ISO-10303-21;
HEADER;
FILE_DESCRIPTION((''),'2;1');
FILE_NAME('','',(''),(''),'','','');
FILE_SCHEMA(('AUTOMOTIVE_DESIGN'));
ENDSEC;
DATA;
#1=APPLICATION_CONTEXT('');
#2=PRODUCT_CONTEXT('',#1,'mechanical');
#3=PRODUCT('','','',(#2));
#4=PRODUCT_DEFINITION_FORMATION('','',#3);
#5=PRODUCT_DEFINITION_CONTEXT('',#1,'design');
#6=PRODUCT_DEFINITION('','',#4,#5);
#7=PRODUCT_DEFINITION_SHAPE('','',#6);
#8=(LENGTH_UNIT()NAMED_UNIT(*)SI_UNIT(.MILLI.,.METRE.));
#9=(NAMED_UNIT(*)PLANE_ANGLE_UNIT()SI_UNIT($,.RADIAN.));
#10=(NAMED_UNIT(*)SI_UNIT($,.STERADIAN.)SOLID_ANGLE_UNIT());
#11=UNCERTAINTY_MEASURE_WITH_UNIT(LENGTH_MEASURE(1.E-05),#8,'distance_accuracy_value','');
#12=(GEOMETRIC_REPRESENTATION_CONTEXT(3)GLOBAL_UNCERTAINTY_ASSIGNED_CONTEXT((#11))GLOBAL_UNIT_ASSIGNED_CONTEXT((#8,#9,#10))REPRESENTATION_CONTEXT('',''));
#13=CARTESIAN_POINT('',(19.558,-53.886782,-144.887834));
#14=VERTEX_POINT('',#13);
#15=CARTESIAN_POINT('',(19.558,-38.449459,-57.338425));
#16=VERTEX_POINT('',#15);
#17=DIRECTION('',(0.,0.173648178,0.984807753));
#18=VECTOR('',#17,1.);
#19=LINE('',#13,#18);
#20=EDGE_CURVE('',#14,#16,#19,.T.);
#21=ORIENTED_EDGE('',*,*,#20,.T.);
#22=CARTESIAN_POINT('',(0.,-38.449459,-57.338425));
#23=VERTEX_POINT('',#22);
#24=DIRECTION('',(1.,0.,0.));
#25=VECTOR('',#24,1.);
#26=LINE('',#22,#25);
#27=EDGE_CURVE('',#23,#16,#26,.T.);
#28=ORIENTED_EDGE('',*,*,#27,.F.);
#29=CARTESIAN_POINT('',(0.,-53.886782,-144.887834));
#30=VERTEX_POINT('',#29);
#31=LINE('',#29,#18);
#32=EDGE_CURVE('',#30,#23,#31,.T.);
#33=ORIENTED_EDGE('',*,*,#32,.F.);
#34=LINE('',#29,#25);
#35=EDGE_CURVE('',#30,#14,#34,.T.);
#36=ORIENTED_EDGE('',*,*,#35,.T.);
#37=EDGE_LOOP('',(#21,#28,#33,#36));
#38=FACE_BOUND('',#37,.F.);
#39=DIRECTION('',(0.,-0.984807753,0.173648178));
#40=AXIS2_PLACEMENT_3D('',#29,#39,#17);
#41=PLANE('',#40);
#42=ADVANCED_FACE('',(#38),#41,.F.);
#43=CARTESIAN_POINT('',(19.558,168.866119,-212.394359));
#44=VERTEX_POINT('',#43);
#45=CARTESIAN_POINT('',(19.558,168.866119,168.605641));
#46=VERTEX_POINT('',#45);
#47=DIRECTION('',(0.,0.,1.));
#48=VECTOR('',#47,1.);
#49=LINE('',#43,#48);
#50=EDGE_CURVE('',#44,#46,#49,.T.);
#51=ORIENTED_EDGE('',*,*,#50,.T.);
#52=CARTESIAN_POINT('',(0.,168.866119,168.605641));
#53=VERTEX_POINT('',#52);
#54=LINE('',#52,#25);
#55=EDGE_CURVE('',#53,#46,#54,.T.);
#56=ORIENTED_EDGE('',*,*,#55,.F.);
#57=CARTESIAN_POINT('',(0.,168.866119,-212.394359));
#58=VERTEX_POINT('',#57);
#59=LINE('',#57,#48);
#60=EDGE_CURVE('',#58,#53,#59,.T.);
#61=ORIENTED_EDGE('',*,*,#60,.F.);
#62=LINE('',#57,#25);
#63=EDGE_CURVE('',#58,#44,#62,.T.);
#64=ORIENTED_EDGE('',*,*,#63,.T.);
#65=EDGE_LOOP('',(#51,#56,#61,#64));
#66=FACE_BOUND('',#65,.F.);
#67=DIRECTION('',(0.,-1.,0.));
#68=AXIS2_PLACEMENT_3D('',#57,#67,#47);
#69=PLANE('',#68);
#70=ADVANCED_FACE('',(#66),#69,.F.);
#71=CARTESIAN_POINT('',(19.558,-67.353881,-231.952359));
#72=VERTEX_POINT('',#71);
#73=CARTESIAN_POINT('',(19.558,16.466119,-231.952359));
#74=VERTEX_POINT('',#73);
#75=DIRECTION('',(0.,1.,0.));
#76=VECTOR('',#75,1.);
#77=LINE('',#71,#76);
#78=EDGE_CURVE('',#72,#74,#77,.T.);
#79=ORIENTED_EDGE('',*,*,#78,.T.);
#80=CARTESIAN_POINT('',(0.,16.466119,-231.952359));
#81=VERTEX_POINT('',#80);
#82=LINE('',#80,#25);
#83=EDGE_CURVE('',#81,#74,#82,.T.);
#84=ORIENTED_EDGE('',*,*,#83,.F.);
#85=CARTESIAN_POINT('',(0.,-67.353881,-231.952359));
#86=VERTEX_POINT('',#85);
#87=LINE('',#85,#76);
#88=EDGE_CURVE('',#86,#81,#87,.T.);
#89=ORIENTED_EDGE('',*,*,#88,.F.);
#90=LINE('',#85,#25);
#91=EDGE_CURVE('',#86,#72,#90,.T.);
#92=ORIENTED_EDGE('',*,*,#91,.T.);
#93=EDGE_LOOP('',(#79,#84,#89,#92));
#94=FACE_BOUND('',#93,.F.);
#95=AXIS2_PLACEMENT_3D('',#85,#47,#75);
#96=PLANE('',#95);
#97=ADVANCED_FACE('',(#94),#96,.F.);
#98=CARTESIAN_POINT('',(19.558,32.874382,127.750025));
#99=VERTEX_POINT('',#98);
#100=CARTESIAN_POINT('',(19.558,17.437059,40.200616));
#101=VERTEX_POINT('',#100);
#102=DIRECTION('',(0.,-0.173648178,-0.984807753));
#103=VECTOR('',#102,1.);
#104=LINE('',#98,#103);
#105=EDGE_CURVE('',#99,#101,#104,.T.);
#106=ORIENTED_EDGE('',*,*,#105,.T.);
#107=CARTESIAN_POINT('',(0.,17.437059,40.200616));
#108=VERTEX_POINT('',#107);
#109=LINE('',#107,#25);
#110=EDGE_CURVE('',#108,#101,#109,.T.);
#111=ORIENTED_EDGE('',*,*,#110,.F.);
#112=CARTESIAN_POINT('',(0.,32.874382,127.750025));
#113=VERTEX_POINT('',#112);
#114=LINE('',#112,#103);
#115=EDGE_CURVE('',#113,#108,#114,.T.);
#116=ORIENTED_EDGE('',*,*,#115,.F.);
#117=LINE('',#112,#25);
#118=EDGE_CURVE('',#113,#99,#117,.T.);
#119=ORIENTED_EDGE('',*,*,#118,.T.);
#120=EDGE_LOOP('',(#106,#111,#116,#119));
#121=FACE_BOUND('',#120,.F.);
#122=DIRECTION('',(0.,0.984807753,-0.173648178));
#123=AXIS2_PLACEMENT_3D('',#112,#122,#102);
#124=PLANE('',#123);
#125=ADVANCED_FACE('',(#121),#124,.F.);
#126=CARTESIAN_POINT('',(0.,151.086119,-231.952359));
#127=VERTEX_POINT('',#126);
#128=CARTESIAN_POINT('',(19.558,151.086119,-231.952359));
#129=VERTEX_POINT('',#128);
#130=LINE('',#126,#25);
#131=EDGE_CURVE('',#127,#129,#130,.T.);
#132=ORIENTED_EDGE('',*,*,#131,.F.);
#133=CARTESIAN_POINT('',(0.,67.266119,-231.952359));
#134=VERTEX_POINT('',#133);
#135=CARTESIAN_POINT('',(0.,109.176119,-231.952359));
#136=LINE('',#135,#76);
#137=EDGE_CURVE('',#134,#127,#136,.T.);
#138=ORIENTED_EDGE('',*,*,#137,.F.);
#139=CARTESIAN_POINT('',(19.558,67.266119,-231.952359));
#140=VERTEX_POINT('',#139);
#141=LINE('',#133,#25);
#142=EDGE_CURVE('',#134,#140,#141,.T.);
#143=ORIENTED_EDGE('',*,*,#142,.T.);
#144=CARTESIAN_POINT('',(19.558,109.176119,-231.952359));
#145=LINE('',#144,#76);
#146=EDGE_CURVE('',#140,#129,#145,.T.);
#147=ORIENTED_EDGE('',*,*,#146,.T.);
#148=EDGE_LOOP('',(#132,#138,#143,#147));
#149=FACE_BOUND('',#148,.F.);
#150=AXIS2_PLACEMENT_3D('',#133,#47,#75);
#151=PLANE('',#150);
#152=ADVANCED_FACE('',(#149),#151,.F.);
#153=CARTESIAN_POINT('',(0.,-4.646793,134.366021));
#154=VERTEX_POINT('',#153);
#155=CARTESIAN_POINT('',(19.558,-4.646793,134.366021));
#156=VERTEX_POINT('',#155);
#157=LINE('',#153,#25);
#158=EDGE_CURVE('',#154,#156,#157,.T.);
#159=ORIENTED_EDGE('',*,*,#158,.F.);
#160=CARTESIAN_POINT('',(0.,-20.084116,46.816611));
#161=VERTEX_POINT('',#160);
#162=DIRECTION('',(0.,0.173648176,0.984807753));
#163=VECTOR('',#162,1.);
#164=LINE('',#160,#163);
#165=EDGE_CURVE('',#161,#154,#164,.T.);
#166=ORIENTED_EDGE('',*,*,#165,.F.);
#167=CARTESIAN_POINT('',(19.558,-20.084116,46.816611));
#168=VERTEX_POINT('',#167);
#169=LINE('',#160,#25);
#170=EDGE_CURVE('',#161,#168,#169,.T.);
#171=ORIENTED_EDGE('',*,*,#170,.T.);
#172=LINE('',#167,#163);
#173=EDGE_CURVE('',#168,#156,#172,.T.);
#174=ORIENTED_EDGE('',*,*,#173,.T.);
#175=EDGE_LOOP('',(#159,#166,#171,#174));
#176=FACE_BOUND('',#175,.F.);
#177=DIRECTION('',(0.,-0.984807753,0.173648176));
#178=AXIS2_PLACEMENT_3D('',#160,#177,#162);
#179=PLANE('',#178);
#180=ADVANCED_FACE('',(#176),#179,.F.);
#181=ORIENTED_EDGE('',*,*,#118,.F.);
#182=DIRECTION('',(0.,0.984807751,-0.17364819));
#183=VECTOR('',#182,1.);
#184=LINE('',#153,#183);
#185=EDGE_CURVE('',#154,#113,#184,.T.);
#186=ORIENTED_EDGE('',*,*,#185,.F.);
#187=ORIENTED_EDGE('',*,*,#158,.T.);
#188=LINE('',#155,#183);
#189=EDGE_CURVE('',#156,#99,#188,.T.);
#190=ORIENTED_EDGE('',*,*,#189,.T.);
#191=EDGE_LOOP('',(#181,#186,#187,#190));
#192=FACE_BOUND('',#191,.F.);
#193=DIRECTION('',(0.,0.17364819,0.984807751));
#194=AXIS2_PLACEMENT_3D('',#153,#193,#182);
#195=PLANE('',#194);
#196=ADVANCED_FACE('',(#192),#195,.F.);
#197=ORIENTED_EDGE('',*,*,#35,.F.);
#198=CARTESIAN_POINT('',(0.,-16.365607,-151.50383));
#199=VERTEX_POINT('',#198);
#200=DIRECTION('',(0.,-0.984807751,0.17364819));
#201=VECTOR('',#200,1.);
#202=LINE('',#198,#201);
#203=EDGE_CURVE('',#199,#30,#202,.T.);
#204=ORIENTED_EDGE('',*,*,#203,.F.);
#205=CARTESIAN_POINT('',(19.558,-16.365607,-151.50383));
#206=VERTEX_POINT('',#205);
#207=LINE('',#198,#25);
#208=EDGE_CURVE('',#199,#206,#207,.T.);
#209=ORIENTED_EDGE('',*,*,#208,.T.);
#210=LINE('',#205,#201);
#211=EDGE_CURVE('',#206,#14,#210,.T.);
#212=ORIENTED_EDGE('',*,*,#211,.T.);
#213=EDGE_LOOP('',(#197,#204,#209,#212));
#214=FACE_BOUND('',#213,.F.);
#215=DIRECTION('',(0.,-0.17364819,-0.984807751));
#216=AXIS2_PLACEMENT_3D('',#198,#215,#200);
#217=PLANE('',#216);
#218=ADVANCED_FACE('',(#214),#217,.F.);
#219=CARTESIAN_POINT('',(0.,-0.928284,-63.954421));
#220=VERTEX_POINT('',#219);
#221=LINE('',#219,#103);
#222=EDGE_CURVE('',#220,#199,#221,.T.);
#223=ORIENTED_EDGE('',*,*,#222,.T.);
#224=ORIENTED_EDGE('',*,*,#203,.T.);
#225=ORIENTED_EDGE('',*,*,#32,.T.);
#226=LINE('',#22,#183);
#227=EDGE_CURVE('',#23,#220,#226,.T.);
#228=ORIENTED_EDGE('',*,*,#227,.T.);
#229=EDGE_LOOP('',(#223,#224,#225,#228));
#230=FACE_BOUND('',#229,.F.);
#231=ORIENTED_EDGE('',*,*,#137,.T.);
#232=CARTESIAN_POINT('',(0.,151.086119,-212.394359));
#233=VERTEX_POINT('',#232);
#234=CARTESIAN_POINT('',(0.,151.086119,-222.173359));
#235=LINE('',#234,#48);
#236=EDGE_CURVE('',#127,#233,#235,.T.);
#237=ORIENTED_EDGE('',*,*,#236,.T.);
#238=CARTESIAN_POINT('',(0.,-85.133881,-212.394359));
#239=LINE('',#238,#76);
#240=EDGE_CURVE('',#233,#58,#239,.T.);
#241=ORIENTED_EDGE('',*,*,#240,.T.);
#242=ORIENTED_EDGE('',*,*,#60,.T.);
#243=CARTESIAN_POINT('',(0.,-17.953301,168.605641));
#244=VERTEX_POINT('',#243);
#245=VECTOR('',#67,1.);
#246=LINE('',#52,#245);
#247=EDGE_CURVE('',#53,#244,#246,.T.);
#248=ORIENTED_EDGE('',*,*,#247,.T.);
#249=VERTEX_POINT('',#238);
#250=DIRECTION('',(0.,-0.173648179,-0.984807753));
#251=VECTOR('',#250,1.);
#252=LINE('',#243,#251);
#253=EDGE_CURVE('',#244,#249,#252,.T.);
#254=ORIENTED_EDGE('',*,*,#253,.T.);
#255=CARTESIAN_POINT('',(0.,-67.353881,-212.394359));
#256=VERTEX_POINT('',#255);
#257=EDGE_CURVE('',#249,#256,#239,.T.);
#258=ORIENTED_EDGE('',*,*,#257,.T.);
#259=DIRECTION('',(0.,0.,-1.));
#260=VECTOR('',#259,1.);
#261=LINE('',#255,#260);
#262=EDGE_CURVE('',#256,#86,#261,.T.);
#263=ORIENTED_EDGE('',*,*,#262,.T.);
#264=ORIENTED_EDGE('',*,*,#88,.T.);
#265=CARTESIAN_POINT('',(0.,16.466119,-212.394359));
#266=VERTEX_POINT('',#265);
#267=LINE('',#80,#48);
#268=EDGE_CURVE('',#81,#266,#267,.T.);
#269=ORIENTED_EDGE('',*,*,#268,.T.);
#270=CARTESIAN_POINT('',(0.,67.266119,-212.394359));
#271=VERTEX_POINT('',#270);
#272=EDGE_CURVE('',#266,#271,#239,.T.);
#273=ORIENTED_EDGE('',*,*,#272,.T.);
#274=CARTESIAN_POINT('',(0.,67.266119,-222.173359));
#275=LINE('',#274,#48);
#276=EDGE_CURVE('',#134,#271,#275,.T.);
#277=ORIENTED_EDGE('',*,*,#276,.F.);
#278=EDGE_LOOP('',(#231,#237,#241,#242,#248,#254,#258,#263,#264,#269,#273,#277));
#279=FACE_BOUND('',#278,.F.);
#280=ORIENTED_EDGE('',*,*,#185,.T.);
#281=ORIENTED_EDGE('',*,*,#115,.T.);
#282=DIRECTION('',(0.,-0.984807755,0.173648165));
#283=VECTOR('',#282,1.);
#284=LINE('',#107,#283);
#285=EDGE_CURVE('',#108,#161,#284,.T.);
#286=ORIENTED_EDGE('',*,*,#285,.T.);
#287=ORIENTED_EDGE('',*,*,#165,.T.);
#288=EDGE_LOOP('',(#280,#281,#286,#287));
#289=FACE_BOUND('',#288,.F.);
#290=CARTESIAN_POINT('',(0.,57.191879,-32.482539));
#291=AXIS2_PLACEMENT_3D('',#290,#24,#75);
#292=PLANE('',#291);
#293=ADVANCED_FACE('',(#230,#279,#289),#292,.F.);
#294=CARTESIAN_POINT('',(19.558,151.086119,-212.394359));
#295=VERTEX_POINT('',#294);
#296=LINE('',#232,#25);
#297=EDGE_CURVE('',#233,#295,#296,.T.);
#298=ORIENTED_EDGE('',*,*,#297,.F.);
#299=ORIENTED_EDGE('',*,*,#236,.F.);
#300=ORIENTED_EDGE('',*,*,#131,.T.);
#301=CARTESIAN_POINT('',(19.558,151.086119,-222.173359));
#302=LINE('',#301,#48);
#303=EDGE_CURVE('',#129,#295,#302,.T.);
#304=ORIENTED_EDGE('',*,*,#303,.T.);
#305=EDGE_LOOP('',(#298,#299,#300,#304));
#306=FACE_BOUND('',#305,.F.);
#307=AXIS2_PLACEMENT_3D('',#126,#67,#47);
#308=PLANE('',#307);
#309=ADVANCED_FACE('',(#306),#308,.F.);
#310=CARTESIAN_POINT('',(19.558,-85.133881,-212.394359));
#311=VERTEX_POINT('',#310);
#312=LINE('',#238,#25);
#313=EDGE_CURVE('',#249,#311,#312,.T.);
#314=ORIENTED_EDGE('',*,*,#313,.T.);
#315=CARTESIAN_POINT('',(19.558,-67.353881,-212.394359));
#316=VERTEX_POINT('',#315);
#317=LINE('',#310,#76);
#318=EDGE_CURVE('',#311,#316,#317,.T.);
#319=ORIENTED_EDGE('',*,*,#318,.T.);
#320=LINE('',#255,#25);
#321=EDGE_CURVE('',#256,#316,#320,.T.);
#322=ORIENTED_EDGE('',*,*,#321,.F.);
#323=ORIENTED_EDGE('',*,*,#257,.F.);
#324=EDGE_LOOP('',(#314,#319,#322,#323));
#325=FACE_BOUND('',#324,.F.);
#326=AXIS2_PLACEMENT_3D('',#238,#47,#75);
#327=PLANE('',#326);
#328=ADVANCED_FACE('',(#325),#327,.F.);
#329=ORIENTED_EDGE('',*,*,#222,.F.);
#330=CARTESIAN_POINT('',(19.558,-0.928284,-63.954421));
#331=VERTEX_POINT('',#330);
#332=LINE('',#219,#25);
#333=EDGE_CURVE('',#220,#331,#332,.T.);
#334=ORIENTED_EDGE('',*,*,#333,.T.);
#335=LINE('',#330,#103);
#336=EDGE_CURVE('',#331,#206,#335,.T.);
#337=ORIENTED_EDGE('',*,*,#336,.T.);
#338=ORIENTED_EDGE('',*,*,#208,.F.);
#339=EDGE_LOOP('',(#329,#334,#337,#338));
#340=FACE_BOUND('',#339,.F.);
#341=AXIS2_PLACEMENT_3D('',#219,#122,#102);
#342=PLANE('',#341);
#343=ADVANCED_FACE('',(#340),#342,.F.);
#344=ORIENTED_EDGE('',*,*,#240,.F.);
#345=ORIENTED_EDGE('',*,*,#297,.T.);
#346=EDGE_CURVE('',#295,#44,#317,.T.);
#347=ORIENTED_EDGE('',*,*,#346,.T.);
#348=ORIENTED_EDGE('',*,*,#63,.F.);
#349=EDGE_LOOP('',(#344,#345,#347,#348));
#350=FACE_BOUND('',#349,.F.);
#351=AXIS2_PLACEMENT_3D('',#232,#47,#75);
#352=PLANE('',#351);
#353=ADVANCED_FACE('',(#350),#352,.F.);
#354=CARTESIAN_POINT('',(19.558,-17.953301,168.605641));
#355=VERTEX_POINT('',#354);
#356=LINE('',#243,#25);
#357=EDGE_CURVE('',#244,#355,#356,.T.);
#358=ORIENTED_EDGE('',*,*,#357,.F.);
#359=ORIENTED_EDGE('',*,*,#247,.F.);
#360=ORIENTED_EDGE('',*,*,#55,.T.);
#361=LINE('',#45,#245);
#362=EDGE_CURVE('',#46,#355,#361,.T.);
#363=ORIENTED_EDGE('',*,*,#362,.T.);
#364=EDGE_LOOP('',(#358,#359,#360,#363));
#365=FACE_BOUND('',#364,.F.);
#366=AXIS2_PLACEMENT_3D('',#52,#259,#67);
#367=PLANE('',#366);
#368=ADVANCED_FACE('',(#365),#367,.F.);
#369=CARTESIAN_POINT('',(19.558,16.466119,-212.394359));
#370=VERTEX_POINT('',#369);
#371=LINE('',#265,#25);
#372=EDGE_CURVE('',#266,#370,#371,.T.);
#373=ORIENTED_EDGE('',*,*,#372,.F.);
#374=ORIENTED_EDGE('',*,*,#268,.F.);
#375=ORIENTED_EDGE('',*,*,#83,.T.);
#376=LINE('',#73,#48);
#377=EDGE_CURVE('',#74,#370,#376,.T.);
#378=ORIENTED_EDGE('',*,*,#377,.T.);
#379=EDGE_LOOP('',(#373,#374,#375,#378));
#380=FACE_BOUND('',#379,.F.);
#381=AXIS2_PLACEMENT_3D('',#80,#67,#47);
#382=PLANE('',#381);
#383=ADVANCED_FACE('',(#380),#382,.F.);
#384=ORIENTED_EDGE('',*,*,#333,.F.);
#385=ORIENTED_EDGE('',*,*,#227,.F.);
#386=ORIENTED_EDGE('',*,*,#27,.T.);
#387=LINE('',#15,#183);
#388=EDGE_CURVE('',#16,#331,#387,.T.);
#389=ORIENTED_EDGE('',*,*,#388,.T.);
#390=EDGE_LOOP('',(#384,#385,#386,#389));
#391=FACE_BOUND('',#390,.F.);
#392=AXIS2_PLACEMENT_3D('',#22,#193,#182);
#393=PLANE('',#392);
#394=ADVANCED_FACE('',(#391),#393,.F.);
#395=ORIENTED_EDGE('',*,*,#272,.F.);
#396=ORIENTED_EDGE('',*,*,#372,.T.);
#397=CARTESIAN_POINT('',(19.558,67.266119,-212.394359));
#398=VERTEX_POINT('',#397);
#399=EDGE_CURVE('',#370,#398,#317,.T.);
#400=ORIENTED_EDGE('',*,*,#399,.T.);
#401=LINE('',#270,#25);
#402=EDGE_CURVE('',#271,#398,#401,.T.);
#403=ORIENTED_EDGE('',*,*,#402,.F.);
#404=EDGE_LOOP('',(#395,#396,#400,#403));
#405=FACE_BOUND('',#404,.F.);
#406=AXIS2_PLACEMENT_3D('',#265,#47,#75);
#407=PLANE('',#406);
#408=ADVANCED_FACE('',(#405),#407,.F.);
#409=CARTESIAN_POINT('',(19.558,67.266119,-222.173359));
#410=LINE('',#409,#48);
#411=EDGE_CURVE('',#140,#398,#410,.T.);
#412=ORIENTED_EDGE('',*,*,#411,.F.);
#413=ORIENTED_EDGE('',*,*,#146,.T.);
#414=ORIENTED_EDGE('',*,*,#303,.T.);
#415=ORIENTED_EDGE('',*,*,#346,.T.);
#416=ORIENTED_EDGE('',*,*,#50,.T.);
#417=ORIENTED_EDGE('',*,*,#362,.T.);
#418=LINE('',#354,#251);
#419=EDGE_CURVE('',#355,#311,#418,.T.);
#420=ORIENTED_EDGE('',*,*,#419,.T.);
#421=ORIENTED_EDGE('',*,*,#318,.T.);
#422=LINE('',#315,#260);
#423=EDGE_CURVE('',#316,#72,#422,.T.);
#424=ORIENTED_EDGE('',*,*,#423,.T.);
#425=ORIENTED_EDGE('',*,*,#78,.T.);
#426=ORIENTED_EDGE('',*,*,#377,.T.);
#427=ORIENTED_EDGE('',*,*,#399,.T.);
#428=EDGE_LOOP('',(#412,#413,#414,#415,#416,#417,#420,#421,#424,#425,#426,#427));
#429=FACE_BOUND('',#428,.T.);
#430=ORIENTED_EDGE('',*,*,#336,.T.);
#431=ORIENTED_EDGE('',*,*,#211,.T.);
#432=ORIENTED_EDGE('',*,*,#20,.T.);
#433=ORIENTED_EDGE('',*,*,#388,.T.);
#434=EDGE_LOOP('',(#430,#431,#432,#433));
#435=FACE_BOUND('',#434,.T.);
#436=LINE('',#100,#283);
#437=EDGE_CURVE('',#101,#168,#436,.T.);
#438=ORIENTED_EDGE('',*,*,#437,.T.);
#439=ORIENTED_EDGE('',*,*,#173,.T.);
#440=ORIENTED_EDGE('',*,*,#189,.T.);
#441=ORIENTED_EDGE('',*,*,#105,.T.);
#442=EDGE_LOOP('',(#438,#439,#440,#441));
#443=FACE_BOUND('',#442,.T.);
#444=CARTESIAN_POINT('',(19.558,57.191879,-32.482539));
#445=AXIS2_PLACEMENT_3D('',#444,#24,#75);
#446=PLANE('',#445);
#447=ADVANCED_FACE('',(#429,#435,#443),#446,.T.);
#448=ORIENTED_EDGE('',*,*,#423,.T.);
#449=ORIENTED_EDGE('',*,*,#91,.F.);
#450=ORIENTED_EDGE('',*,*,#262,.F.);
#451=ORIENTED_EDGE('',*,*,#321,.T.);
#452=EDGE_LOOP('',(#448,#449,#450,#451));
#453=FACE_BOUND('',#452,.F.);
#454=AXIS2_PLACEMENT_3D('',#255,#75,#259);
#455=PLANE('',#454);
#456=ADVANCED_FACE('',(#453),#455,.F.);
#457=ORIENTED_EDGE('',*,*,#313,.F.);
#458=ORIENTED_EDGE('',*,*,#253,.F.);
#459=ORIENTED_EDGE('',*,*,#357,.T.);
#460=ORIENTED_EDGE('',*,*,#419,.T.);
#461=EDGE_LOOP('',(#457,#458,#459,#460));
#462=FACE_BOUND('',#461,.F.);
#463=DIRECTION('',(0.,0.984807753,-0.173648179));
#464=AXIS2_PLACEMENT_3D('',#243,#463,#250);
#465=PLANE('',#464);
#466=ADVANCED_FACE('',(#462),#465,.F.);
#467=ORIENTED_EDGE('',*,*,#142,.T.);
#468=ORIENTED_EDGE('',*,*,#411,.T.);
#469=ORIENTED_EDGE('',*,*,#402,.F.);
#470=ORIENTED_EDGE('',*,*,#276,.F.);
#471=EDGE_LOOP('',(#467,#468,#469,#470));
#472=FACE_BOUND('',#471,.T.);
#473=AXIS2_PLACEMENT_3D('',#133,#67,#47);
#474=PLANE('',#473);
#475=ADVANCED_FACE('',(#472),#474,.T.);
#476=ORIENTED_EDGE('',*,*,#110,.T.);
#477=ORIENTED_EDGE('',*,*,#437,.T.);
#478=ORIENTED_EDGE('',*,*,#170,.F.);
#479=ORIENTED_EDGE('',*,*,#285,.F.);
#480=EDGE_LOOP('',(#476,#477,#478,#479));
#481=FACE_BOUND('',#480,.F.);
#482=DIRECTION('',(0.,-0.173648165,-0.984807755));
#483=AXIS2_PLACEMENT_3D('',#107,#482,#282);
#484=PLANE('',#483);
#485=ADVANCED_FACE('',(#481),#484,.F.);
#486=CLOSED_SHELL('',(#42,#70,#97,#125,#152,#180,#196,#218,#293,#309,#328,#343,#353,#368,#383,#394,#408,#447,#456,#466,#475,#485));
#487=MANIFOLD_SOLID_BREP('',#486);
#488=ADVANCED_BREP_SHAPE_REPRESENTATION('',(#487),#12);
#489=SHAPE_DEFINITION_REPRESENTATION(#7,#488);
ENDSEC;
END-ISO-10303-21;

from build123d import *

# Parameters (mm, degrees)
F0_W     = 83.82
F0_H     = 19.558
F1_DEPTH = 19.558


with BuildPart() as f1:
    # F0 (on Right) → F1 (new body)
    with BuildSketch(Plane.YZ):
        Polygon((-17.953301, 168.605641), (-85.133881, -212.394359), (-67.353881, -212.394359), (-17.953301, -212.394359), (16.466119, -212.394359), (67.266119, -212.394359), (151.086119, -212.394359), (168.866119, -212.394359), (168.866119, 168.605641), align=None)
        Polygon((-0.928284, -63.954421), (-16.365607, -151.50383), (-53.886782, -144.887834), (-38.449459, -57.338425), align=None, mode=Mode.SUBTRACT)
        Polygon((32.874382, 127.750025), (17.437059, 40.200616), (-20.084116, 46.816611), (-4.646793, 134.366021), align=None, mode=Mode.SUBTRACT)
        Polygon((-17.953301, -212.394359), (-67.353881, -212.394359), (-67.353881, -231.952359), (16.466119, -231.952359), (16.466119, -212.394359), align=None)
        with Locations((109.176119, -222.173359)):
            Rectangle(F0_W, F0_H)
    extrude(amount=F1_DEPTH)


solid = f1.part
